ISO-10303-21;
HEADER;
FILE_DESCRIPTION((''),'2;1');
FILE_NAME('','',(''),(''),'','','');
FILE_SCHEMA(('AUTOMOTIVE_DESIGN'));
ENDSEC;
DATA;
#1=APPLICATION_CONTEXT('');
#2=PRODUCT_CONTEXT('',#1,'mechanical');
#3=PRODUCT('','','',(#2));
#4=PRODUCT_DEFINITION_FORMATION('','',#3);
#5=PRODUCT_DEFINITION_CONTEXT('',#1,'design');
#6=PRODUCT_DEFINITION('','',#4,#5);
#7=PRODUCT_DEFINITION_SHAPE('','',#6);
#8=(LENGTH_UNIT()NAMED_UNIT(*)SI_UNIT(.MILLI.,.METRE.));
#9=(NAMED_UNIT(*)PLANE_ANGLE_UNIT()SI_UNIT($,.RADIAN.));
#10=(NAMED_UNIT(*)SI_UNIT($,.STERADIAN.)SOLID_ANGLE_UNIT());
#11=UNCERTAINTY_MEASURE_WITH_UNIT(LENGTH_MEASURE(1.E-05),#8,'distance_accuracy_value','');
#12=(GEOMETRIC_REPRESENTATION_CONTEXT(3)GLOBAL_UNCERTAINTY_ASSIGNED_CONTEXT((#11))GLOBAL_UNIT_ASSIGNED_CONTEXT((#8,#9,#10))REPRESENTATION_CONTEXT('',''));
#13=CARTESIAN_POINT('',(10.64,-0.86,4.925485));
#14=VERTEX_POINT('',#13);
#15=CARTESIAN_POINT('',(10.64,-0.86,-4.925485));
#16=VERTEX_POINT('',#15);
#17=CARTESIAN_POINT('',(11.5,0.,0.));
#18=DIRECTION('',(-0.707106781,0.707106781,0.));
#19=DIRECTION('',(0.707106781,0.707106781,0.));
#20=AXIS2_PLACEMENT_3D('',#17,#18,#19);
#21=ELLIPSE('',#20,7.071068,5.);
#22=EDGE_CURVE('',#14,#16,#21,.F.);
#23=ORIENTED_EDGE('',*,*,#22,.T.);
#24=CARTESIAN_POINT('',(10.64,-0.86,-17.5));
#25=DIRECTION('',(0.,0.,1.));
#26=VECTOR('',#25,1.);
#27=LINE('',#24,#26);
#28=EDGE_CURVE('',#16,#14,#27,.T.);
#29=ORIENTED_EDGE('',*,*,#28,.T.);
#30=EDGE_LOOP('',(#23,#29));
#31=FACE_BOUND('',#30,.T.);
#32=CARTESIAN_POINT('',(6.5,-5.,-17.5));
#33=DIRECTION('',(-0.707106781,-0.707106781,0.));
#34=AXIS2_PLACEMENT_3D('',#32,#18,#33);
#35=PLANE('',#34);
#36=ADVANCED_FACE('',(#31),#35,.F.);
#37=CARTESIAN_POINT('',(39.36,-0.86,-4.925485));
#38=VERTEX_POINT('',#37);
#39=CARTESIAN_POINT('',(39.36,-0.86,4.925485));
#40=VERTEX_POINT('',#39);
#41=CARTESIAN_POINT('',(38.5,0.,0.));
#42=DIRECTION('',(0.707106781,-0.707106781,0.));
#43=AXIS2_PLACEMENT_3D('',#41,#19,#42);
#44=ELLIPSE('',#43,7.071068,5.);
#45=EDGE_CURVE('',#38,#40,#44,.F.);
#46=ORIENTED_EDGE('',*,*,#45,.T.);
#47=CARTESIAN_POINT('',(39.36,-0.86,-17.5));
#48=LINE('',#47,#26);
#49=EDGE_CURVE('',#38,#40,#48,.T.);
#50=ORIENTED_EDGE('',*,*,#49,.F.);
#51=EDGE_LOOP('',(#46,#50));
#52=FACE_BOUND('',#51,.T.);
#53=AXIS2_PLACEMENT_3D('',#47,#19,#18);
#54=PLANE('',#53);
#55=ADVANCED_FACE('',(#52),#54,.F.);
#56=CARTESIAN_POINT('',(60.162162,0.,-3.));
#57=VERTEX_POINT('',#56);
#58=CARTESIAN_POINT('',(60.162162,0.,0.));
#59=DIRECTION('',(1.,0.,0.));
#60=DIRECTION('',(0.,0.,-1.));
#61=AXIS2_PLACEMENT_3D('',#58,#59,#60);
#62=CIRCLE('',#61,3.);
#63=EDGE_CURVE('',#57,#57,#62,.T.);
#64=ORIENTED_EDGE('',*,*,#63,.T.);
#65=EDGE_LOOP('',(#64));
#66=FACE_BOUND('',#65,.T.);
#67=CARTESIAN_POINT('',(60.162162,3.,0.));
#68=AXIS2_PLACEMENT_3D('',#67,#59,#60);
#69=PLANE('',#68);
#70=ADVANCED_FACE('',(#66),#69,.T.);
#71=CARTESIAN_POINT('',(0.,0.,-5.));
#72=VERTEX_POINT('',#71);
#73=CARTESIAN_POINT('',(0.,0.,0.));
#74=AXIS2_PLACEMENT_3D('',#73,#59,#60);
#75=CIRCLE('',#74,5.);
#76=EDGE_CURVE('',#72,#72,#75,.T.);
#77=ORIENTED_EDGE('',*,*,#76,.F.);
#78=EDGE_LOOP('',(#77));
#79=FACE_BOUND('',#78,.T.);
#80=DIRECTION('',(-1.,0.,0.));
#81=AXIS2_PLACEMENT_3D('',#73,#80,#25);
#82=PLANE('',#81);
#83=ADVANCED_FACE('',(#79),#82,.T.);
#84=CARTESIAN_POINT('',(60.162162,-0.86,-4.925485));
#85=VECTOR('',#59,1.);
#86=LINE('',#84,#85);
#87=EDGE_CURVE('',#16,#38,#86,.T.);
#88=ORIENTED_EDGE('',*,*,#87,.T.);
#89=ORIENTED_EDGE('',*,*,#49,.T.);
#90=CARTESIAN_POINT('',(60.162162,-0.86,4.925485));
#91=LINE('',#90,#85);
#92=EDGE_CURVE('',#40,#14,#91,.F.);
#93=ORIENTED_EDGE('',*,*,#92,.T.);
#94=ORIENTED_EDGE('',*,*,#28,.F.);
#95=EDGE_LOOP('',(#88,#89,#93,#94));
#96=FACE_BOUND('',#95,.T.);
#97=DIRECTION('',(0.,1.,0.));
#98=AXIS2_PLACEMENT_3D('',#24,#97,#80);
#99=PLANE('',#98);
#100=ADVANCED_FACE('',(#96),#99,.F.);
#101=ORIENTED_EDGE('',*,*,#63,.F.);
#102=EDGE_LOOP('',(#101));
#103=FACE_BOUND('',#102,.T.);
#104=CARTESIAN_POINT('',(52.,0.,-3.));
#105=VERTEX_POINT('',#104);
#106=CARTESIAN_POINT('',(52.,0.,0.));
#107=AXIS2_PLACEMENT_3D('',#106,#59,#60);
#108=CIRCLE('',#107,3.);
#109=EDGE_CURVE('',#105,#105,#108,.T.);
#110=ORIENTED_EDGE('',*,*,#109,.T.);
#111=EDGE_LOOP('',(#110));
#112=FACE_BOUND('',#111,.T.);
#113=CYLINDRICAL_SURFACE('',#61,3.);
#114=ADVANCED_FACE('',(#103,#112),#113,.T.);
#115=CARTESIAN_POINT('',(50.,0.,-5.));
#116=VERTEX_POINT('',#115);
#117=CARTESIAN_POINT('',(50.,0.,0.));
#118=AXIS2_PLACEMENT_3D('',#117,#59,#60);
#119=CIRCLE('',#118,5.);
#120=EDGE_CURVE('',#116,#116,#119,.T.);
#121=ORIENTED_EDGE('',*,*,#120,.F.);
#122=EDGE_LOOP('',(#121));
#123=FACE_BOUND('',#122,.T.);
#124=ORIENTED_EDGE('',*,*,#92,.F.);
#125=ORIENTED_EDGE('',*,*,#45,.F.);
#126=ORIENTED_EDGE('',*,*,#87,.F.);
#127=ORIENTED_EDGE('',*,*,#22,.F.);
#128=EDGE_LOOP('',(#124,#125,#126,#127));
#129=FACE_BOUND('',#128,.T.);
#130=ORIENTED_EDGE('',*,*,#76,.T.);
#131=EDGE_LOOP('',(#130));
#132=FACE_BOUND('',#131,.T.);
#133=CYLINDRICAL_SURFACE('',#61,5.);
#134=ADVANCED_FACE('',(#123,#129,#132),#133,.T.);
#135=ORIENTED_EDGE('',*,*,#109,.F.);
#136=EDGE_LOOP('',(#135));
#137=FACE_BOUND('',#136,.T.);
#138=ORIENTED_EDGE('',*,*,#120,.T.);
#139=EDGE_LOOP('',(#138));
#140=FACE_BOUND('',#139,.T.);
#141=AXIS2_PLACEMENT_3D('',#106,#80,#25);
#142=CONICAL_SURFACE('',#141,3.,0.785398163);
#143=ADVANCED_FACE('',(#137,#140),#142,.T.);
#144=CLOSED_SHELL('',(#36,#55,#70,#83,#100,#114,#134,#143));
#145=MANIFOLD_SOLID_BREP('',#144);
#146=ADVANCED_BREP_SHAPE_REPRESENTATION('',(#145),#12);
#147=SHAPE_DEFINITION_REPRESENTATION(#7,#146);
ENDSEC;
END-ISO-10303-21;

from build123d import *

# Parameters (mm, degrees)
CUT_EXTRUDE1_DEPTH = 17.5


with BuildPart() as part:
    # Sketch1 → Revolve1 (revolve)
    with BuildSketch(Plane.XY, mode=Mode.PRIVATE) as revolve1_sk:
        Polygon((0, 0), (0, 5), (50, 5), (52, 3), (60.162162162, 3), (60.162162162, 0), align=None)
    revolve(revolve1_sk.sketch.rotate(Axis((60.162162162, 0, 0), (-1, 0, 0)), 90), axis=Axis((60.162162162, 0, 0), (-1, 0, 0)))

    # Sketch2 → Cut-Extrude1 (cut, symmetric)
    with BuildSketch(Plane.XY):
        Polygon((6.5, -5), (10.64, -0.86), (39.36, -0.86), (43.5, -5), align=None)
    extrude(amount=CUT_EXTRUDE1_DEPTH, both=True, mode=Mode.SUBTRACT)


solid = part.part
